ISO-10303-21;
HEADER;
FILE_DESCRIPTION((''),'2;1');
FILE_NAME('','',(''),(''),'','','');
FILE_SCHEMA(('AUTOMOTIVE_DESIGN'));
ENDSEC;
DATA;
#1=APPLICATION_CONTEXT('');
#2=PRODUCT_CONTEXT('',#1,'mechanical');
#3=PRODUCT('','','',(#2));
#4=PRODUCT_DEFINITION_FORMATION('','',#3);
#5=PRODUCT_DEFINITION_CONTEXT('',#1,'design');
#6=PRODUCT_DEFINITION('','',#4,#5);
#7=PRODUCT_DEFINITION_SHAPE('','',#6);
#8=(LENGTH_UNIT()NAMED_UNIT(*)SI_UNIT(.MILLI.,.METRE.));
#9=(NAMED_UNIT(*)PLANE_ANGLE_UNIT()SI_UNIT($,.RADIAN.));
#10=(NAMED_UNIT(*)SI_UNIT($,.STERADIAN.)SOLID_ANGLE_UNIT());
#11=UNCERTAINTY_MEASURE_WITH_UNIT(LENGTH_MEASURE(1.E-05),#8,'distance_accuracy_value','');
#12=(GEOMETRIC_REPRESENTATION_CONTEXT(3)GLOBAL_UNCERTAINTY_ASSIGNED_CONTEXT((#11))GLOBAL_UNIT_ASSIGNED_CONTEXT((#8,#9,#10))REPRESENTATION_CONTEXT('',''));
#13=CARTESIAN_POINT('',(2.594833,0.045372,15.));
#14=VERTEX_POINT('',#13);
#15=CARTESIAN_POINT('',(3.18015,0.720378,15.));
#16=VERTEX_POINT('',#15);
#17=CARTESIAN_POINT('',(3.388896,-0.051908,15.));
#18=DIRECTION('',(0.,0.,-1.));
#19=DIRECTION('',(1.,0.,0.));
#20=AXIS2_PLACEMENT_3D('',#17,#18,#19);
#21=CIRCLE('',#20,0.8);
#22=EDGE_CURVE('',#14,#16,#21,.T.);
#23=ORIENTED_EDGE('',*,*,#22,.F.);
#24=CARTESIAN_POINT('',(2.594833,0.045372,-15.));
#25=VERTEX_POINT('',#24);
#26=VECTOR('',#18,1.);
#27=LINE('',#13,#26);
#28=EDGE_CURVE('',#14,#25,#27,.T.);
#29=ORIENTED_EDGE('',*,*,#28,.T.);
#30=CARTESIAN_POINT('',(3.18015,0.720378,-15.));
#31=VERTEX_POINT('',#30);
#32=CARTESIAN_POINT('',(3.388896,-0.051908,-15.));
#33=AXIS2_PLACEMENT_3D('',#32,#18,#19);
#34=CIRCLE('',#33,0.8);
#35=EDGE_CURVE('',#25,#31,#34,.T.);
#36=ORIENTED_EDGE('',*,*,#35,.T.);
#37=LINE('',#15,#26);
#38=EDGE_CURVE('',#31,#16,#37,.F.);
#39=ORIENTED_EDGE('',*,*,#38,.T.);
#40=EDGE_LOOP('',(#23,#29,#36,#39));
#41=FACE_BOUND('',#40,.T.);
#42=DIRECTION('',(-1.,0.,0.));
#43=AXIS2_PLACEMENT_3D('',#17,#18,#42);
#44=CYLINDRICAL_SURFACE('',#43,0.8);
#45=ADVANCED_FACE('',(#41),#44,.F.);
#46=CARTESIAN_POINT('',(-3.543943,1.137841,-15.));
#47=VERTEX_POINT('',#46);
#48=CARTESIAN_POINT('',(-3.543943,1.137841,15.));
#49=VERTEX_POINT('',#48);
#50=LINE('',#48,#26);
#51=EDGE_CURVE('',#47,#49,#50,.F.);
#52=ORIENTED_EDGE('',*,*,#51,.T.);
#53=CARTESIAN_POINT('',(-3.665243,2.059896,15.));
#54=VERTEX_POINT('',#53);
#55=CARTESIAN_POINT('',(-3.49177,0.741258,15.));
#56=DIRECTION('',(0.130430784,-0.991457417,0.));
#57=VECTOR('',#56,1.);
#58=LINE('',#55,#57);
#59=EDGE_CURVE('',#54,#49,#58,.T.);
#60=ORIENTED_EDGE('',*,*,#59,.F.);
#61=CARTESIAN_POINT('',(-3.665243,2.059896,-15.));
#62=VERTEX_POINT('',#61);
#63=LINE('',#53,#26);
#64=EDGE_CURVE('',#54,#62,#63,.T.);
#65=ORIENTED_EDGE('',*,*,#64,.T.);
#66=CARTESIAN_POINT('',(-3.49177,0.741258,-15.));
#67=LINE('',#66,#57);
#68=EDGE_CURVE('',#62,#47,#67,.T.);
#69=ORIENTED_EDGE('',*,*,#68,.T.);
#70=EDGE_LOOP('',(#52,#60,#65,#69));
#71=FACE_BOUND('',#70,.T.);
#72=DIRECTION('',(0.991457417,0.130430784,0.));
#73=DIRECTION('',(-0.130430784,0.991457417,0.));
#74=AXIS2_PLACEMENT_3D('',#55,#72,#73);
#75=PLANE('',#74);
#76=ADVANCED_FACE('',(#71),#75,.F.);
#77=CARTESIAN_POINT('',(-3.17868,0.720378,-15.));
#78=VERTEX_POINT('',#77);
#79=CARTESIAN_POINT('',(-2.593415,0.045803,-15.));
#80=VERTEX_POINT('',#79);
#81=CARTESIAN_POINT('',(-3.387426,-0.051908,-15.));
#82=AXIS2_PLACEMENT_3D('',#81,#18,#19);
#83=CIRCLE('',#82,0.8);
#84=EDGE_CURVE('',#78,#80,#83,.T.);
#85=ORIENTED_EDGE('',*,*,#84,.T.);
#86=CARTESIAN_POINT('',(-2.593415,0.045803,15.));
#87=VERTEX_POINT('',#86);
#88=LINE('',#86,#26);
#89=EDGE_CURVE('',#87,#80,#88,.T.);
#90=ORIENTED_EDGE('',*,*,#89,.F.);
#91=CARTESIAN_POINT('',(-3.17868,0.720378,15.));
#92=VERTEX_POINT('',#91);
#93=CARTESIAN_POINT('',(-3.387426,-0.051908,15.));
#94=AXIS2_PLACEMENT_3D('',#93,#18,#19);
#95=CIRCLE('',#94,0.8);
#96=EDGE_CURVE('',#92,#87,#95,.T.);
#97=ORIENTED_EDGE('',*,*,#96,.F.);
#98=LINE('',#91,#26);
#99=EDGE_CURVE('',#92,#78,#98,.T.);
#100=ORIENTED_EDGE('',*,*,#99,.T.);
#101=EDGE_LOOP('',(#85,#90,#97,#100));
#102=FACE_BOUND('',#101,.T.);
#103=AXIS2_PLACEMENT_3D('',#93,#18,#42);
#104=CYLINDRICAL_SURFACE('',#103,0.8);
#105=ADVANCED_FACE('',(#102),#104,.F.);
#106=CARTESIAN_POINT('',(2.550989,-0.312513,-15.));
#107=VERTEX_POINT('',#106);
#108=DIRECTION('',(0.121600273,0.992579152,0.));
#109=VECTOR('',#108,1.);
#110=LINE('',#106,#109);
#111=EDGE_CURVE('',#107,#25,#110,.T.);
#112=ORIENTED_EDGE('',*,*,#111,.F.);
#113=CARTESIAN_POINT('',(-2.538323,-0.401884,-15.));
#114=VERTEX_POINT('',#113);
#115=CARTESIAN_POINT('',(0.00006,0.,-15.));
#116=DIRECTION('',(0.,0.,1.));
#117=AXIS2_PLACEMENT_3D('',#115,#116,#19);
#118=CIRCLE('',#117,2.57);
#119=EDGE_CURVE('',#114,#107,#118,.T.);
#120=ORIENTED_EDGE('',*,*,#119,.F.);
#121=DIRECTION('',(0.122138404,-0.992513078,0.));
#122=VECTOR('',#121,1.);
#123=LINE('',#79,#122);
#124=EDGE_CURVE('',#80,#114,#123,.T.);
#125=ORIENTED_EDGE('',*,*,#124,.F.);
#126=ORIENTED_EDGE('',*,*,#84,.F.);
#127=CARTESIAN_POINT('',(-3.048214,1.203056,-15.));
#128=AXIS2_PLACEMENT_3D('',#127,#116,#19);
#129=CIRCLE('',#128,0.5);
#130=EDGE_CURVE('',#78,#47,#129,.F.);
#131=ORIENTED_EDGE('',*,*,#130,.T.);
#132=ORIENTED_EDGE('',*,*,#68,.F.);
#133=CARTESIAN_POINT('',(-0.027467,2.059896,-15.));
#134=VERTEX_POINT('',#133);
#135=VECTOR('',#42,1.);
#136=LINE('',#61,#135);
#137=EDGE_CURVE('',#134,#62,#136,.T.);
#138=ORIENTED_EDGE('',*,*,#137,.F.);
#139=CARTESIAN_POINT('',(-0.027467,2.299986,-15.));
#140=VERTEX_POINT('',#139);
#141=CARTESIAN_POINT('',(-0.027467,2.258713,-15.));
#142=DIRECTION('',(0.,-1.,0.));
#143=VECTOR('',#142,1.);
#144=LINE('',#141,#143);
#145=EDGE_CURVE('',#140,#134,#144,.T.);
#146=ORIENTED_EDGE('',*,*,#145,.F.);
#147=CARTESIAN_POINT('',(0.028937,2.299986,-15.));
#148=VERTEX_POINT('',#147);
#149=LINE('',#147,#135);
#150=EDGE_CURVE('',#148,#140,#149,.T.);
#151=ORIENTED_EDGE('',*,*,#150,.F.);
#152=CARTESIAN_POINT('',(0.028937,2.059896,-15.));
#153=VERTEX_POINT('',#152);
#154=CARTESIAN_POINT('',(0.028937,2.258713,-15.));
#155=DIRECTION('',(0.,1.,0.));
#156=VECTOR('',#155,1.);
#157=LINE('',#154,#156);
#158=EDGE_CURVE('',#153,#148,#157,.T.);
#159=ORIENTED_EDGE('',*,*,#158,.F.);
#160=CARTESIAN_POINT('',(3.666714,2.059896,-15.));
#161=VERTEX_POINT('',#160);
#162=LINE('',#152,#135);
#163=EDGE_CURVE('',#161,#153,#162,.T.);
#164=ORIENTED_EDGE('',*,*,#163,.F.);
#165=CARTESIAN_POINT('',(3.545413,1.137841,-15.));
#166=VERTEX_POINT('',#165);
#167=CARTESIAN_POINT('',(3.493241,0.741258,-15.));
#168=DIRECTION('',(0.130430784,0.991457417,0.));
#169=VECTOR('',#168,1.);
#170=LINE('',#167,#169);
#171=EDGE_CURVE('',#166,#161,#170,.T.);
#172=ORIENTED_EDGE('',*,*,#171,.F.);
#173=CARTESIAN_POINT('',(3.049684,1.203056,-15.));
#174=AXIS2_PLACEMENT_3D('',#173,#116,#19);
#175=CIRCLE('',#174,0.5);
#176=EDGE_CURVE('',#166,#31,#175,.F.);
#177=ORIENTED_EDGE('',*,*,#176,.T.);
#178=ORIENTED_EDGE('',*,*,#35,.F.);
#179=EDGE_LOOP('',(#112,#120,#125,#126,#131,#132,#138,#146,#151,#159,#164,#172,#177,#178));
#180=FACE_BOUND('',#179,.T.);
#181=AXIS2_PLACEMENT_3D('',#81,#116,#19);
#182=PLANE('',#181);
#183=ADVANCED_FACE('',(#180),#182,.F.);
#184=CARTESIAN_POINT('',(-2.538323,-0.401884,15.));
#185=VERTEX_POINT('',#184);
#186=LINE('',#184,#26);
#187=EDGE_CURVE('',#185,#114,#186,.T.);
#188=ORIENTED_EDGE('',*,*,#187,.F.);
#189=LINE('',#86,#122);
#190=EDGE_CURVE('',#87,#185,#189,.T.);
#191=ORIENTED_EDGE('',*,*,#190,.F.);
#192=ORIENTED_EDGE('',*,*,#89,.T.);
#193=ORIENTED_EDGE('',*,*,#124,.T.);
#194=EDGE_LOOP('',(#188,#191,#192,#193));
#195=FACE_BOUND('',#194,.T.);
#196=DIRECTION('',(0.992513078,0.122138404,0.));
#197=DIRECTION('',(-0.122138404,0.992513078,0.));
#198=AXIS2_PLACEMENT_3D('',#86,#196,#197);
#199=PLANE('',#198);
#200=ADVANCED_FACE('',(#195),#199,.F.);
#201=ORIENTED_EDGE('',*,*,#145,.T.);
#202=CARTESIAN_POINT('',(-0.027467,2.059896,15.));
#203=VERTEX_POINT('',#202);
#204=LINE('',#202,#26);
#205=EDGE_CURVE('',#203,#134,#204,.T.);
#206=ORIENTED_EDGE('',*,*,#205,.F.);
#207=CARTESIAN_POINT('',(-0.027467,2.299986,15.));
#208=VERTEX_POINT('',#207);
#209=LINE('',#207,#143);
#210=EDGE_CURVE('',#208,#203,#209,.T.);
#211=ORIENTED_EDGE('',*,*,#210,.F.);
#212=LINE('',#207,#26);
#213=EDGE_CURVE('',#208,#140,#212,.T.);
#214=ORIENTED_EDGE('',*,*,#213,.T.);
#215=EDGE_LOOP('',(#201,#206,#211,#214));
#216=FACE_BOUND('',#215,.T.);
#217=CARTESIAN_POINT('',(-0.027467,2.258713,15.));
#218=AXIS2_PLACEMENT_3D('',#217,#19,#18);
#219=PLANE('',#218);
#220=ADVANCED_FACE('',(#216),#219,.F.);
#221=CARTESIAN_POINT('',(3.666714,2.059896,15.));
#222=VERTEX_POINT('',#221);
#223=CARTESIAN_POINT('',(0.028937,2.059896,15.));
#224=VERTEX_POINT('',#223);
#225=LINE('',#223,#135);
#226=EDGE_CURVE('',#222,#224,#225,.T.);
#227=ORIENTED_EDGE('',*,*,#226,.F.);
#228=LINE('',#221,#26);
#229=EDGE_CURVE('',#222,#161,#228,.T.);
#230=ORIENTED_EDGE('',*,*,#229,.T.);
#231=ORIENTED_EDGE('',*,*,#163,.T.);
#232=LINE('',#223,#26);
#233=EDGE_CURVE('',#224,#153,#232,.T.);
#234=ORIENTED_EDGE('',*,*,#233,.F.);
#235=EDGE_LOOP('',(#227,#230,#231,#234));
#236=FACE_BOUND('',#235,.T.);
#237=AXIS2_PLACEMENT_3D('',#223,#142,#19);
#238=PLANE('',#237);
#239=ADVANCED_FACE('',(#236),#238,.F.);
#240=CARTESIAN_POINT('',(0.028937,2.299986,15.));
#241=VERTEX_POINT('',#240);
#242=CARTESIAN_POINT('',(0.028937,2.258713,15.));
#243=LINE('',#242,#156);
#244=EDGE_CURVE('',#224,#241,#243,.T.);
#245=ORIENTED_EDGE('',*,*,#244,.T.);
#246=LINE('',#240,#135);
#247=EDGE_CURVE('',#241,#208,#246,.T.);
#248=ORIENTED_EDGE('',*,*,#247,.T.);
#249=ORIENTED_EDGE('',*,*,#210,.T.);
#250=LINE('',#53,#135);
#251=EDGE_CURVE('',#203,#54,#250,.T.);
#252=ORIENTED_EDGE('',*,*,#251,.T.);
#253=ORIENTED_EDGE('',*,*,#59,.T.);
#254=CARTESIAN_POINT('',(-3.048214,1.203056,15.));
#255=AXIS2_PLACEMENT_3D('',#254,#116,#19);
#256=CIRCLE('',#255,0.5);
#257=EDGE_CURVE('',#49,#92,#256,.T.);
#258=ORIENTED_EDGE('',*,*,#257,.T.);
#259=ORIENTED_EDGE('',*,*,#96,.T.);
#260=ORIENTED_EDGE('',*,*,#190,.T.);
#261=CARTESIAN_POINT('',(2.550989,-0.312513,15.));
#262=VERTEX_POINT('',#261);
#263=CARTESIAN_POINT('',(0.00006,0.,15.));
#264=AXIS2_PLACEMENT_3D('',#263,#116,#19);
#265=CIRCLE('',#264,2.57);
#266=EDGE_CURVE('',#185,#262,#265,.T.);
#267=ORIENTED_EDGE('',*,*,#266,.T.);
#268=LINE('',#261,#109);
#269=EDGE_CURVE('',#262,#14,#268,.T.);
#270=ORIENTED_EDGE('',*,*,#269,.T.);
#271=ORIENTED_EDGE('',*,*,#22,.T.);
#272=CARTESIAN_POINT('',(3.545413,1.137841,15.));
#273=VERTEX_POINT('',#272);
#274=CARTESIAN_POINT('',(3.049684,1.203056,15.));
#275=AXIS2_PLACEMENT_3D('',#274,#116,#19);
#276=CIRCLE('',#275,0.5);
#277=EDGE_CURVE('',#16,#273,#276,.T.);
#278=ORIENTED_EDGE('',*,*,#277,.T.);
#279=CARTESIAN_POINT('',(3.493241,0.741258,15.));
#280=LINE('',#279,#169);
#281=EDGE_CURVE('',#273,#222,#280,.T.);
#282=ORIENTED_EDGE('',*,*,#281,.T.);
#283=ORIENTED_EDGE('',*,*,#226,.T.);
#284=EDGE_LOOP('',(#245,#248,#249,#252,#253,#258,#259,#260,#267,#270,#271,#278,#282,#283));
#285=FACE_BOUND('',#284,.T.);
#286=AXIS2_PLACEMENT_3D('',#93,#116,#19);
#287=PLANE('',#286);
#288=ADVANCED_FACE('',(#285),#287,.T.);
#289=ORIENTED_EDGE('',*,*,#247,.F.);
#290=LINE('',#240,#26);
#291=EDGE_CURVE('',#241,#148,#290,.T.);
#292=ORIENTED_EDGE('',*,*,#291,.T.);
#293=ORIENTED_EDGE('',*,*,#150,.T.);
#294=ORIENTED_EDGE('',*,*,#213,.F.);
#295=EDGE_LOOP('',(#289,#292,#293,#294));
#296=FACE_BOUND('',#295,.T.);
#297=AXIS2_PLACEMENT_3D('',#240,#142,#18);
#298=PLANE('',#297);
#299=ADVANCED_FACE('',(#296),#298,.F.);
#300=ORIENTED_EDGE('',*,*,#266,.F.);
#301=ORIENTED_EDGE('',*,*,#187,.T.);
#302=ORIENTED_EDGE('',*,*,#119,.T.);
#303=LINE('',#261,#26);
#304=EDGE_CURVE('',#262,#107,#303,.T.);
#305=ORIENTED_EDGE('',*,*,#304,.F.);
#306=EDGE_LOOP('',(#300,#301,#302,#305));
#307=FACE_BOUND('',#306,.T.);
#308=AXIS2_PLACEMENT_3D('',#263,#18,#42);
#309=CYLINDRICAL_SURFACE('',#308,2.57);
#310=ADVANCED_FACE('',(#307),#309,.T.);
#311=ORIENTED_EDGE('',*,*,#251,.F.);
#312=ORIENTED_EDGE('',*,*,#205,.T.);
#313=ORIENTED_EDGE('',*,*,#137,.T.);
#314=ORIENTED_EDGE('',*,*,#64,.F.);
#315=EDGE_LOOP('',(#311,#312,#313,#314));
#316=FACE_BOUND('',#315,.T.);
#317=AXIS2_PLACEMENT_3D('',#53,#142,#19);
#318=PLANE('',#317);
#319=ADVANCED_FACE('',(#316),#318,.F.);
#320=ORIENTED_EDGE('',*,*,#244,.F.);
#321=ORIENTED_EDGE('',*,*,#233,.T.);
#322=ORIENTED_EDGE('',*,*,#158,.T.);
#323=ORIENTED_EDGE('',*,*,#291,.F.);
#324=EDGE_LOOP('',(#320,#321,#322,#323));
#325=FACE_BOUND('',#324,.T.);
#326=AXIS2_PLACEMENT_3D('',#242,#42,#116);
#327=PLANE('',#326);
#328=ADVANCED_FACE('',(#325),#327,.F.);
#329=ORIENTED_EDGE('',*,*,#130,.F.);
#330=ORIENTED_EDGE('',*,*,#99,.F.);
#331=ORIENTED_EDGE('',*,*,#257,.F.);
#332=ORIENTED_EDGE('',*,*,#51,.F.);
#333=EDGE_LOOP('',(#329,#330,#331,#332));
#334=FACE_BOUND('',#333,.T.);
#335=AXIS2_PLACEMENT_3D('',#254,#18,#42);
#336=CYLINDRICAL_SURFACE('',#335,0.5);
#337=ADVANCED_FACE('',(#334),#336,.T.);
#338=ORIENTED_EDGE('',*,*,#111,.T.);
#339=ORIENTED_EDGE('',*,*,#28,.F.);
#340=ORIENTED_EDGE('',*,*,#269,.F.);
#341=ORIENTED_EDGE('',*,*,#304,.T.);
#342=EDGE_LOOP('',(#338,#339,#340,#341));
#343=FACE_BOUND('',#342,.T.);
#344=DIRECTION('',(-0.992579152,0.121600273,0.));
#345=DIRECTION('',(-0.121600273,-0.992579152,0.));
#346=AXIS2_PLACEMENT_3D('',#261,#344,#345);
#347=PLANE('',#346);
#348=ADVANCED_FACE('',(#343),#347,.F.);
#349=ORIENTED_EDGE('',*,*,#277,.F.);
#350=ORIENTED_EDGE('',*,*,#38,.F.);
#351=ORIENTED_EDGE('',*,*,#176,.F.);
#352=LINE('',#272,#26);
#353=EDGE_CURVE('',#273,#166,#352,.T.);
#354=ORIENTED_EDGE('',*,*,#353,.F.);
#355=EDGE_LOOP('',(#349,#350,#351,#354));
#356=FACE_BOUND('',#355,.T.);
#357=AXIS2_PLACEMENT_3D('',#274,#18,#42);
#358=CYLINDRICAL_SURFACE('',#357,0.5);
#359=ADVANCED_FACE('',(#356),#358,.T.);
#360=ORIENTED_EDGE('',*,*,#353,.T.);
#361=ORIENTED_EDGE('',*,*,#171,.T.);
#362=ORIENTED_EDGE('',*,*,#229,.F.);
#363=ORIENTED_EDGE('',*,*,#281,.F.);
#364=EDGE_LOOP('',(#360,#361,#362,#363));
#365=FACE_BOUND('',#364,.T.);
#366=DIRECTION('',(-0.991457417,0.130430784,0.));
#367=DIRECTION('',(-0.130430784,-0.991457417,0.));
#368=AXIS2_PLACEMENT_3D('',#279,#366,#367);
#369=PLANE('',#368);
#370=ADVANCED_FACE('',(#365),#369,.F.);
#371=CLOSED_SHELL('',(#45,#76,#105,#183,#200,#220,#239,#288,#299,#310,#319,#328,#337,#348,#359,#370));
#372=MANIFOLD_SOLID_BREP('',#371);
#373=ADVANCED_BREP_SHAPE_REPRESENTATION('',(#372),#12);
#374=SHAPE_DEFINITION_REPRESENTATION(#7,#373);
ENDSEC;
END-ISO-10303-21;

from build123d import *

# Parameters (mm, degrees)
EXTRUDE1_DEPTH = 15
FILLET1_R      = 0.5


with BuildPart() as part:
    # Sketch2 → Extrude1 (new, symmetric)
    with BuildSketch(Plane.XY):
        with BuildLine():
            Line((-2.593415235, 0.045802636), (-2.538323026, -0.401884053))
            ThreePointArc((-2.538323026, -0.401884053), (0.045183933, -2.569603849), (2.550988586, -0.312512721))
            Line((2.550988586, -0.312512721), (2.594832844, 0.045372131))
            ThreePointArc((2.594832844, 0.045372131), (2.899006177, 0.58055361), (3.493240793, 0.741257846))
            Line((3.493240793, 0.741257846), (3.666713736, 2.059896211))
            Line((3.666713736, 2.059896211), (0.028937175, 2.059896211))
            Line((0.028937175, 2.059896211), (0.028937175, 2.258712577))
            Line((0.028937175, 2.258712577), (0.028937175, 2.299985842))
            Line((0.028937175, 2.299985842), (-0.027466707, 2.299985842))
            Line((-0.027466707, 2.299985842), (-0.027466707, 2.258712577))
            Line((-0.027466707, 2.258712577), (-0.027466707, 2.059896211))
            Line((-0.027466707, 2.059896211), (-3.665243268, 2.059896211))
            Line((-3.665243268, 2.059896211), (-3.491770325, 0.741257846))
            ThreePointArc((-3.491770325, 0.741257846), (-2.897707177, 0.580686389), (-2.593415235, 0.045802636))
        make_face()
    extrude(amount=EXTRUDE1_DEPTH, both=True)

    # Fillet1
    fillet1_edges = [part.edges().sort_by_distance(p)[0] for p in [
        (-3.491770325, 0.741257846, 0),
        (3.493240793, 0.741257846, 0),
    ]]
    fillet(fillet1_edges, radius=FILLET1_R)


solid = part.part
